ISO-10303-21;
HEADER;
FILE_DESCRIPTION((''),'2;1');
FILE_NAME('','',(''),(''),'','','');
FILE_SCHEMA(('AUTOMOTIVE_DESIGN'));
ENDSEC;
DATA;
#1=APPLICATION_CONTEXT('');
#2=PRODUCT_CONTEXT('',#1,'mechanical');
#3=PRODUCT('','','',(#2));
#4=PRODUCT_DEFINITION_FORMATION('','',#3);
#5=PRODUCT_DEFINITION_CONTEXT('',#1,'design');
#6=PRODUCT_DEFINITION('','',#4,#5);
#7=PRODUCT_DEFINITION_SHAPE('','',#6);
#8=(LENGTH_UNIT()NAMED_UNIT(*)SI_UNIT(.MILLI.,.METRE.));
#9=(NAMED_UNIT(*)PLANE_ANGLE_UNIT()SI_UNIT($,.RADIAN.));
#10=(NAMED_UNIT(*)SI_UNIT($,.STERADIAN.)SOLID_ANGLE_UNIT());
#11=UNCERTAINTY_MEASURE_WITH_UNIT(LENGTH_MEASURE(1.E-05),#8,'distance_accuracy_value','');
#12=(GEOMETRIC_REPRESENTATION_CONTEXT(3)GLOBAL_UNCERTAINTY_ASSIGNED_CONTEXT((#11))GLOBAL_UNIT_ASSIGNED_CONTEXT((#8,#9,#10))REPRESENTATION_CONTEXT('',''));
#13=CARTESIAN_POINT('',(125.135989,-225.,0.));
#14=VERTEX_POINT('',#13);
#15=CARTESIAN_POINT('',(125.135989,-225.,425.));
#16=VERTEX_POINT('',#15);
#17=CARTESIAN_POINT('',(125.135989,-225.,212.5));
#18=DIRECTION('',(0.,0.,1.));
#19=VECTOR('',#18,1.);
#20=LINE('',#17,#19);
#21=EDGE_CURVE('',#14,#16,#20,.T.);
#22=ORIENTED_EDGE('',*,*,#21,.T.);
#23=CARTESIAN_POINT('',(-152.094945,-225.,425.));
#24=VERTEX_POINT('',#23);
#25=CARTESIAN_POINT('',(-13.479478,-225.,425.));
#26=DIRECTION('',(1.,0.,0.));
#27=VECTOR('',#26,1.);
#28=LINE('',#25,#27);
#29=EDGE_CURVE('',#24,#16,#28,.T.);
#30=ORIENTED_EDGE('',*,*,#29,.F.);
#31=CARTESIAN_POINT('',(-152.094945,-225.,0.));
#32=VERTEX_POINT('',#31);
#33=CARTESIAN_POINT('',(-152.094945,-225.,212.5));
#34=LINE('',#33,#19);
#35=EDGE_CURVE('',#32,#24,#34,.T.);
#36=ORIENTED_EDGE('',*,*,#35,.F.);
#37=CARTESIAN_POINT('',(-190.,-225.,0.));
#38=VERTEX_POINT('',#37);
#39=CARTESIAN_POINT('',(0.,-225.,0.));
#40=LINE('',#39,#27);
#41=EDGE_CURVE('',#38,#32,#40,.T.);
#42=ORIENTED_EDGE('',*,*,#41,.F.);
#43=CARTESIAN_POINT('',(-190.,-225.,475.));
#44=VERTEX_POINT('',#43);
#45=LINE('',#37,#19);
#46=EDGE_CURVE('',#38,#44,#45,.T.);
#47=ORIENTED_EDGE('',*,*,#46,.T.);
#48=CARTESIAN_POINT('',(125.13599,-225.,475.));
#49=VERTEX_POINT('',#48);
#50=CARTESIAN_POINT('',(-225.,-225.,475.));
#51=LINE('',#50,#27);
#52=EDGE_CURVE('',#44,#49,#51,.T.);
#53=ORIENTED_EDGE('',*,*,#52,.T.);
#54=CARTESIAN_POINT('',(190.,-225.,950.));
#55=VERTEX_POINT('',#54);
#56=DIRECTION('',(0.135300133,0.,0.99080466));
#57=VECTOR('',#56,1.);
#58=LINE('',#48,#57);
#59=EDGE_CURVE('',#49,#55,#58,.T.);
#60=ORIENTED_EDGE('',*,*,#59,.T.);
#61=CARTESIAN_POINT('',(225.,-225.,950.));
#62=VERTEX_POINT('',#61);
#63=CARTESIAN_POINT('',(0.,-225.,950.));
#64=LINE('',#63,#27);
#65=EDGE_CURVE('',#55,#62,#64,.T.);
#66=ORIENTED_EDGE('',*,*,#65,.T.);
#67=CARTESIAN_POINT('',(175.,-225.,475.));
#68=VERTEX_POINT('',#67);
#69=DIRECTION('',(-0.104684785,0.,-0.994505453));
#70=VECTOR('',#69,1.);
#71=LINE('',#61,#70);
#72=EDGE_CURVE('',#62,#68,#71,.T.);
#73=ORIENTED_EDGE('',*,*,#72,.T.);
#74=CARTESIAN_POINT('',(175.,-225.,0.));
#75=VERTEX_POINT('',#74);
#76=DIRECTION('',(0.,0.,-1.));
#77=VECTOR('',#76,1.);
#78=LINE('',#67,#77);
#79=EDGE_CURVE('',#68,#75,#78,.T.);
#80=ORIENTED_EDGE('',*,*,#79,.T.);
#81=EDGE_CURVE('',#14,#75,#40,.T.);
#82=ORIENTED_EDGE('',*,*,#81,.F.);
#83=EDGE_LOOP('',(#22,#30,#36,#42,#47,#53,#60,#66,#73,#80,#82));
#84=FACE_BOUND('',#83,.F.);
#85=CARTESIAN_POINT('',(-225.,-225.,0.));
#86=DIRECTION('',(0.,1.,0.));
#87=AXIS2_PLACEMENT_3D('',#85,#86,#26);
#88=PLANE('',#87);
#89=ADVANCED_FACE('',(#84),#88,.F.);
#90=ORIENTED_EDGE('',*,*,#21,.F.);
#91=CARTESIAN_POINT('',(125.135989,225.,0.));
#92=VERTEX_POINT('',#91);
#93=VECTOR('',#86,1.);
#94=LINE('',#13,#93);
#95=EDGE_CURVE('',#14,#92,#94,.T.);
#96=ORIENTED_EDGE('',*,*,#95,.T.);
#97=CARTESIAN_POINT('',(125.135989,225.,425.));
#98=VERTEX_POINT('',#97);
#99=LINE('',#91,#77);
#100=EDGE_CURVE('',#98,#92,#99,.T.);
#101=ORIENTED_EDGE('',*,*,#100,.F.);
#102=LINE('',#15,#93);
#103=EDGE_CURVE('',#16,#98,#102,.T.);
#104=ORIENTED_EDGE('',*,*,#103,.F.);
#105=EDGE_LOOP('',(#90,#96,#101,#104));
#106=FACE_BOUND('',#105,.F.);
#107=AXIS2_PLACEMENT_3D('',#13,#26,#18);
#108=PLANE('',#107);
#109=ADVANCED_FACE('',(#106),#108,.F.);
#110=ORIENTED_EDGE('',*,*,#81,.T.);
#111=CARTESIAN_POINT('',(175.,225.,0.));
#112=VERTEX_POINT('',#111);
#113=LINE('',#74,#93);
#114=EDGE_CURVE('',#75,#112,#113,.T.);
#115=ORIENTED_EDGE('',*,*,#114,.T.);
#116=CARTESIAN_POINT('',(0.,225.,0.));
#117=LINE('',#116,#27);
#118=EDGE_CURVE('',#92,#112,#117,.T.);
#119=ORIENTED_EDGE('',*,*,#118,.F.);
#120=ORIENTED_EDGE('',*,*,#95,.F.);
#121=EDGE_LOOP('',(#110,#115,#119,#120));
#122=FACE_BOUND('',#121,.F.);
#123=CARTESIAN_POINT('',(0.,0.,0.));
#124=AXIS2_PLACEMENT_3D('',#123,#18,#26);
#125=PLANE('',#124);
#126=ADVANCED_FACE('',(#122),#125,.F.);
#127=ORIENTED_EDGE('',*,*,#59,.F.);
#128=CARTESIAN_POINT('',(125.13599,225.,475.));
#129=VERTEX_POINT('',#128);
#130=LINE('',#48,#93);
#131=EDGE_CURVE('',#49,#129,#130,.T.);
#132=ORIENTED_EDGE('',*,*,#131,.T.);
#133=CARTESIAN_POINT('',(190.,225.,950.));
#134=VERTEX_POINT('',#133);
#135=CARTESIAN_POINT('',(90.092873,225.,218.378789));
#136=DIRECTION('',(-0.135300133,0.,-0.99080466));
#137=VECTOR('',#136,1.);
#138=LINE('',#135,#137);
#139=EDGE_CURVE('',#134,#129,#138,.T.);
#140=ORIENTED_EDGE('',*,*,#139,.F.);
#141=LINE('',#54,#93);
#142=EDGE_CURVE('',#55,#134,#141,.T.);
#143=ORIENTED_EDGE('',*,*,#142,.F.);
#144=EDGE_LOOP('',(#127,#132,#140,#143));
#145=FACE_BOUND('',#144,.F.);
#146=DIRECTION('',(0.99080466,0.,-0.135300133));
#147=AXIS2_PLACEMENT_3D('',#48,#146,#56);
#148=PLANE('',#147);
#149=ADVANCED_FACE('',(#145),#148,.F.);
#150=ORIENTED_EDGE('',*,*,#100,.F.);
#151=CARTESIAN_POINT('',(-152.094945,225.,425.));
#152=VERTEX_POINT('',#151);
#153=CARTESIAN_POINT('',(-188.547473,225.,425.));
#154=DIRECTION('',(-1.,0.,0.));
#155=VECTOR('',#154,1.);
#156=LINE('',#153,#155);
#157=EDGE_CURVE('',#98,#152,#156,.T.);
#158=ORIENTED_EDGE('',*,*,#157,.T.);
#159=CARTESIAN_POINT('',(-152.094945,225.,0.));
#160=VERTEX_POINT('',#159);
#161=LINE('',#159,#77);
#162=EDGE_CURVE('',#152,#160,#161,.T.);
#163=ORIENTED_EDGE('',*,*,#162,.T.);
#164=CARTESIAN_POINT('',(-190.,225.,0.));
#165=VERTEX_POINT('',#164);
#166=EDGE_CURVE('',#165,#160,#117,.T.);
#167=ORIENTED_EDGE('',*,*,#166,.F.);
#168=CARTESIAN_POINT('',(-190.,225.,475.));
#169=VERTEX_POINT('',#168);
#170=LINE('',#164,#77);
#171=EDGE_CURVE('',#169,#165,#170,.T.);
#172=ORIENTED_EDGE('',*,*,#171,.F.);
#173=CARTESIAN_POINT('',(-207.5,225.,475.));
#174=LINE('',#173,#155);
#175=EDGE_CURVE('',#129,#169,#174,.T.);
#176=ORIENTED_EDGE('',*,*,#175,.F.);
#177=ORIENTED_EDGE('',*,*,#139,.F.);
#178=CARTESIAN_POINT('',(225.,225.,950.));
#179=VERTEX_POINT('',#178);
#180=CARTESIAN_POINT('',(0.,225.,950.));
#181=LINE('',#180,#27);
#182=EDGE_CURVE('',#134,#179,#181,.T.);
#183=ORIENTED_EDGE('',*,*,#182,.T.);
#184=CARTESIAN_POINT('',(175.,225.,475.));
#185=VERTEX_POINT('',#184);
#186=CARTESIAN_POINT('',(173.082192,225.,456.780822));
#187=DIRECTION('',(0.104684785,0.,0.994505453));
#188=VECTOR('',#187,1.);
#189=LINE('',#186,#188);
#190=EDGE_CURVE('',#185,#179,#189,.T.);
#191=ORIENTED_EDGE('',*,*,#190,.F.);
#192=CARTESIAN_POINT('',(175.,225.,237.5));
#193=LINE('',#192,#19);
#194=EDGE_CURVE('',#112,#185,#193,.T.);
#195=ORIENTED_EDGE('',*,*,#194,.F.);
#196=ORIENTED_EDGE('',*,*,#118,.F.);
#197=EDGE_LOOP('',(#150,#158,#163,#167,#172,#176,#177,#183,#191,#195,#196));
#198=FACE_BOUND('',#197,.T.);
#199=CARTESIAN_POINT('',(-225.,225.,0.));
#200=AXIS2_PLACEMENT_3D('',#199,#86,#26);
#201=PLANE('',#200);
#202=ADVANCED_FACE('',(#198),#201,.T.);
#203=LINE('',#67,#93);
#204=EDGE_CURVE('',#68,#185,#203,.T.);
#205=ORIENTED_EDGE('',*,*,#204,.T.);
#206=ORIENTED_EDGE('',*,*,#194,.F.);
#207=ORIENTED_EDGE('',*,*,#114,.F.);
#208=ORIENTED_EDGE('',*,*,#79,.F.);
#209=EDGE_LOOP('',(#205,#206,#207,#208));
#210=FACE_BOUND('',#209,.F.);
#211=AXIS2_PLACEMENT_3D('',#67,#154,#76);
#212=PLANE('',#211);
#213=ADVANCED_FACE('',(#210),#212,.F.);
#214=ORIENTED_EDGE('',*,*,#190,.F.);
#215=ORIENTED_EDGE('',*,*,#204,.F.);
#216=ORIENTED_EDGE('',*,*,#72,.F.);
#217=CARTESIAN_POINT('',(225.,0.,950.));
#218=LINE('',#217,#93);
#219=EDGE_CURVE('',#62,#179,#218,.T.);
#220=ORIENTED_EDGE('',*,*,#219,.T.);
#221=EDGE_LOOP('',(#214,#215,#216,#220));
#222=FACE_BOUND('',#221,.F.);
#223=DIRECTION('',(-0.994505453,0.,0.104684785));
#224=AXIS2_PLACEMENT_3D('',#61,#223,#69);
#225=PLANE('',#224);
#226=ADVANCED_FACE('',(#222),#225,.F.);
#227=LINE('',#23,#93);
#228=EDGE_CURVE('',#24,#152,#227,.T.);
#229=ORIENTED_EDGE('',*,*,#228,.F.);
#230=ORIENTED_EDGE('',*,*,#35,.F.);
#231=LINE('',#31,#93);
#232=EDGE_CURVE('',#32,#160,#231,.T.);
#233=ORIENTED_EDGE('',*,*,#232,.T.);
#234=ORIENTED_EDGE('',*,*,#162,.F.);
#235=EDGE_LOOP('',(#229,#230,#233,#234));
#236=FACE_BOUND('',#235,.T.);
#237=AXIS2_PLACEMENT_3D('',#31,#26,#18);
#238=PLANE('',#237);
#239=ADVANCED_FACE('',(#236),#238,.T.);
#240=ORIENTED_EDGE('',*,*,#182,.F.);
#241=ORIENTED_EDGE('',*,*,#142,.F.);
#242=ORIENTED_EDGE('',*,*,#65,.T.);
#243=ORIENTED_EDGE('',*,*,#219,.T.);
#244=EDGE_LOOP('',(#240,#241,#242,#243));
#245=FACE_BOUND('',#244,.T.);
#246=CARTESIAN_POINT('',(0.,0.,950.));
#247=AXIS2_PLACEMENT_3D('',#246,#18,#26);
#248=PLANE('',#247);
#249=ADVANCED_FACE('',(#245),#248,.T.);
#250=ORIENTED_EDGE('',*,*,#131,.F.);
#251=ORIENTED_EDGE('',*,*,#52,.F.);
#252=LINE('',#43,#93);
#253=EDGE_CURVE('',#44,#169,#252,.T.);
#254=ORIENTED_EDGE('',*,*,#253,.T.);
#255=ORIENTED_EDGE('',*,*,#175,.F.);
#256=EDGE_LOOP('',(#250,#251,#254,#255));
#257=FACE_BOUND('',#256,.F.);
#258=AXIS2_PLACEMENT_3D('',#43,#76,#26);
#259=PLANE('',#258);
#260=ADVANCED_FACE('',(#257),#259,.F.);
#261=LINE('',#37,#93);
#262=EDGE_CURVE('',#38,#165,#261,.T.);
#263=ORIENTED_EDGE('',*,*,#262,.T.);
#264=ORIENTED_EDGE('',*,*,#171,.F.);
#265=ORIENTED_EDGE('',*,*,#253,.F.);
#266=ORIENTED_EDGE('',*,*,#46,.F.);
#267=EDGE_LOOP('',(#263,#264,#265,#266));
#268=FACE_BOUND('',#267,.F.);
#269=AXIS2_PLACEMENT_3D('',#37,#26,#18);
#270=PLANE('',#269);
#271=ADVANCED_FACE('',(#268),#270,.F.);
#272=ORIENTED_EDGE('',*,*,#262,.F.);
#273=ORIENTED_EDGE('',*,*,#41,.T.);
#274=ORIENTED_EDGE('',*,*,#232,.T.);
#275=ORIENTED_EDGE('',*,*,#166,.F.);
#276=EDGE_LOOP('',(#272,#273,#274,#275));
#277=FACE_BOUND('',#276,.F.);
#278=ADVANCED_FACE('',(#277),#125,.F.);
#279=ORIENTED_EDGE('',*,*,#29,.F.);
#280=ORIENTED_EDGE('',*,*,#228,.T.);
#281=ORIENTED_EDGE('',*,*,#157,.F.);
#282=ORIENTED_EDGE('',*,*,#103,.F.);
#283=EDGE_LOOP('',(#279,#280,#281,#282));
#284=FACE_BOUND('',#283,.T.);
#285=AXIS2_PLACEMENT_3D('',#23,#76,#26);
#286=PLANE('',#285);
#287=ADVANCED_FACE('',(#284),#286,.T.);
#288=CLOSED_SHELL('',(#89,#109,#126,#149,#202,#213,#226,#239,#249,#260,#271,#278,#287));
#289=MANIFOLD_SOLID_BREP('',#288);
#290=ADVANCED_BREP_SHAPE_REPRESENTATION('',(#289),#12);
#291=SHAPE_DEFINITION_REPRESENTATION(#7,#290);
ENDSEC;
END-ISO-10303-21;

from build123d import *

# Parameters (mm, degrees)
F0_W     = 450
F0_H     = 450
F1_DEPTH = 950
F2_W     = 35
F2_H     = 50
F2_H_2   = 425
F2_W_2   = 277.230935
F2_W_3   = 50
F3_DEPTH = 450.001


with BuildPart() as f1:
    # F0 (on Top) → F1 (new body)
    with BuildSketch(Plane.XY):
        Rectangle(F0_W, F0_H)
    extrude(amount=F1_DEPTH)

    # F2 (on face) → F3 (cut, through all)
    with BuildSketch(Plane.XZ.offset(225)):
        Polygon((-225, 950), (-225, 475), (-190, 475), (125.13599, 475), (190, 950), align=None)
        with Locations((-207.5, 450)):
            Rectangle(F2_W, F2_H)
        with Locations((-207.5, 212.5)):
            Rectangle(F2_W, F2_H_2)
        with Locations((-13.479478, 212.5)):
            Rectangle(F2_W_2, F2_H_2)
        with Locations((200, 212.5)):
            Rectangle(F2_W_3, F2_H_2)
        Polygon((225, 950), (175, 475), (225, 475), align=None)
        with Locations((200, 450)):
            Rectangle(F2_W_3, F2_H)
    extrude(amount=-F3_DEPTH, mode=Mode.SUBTRACT)


solid = f1.part
